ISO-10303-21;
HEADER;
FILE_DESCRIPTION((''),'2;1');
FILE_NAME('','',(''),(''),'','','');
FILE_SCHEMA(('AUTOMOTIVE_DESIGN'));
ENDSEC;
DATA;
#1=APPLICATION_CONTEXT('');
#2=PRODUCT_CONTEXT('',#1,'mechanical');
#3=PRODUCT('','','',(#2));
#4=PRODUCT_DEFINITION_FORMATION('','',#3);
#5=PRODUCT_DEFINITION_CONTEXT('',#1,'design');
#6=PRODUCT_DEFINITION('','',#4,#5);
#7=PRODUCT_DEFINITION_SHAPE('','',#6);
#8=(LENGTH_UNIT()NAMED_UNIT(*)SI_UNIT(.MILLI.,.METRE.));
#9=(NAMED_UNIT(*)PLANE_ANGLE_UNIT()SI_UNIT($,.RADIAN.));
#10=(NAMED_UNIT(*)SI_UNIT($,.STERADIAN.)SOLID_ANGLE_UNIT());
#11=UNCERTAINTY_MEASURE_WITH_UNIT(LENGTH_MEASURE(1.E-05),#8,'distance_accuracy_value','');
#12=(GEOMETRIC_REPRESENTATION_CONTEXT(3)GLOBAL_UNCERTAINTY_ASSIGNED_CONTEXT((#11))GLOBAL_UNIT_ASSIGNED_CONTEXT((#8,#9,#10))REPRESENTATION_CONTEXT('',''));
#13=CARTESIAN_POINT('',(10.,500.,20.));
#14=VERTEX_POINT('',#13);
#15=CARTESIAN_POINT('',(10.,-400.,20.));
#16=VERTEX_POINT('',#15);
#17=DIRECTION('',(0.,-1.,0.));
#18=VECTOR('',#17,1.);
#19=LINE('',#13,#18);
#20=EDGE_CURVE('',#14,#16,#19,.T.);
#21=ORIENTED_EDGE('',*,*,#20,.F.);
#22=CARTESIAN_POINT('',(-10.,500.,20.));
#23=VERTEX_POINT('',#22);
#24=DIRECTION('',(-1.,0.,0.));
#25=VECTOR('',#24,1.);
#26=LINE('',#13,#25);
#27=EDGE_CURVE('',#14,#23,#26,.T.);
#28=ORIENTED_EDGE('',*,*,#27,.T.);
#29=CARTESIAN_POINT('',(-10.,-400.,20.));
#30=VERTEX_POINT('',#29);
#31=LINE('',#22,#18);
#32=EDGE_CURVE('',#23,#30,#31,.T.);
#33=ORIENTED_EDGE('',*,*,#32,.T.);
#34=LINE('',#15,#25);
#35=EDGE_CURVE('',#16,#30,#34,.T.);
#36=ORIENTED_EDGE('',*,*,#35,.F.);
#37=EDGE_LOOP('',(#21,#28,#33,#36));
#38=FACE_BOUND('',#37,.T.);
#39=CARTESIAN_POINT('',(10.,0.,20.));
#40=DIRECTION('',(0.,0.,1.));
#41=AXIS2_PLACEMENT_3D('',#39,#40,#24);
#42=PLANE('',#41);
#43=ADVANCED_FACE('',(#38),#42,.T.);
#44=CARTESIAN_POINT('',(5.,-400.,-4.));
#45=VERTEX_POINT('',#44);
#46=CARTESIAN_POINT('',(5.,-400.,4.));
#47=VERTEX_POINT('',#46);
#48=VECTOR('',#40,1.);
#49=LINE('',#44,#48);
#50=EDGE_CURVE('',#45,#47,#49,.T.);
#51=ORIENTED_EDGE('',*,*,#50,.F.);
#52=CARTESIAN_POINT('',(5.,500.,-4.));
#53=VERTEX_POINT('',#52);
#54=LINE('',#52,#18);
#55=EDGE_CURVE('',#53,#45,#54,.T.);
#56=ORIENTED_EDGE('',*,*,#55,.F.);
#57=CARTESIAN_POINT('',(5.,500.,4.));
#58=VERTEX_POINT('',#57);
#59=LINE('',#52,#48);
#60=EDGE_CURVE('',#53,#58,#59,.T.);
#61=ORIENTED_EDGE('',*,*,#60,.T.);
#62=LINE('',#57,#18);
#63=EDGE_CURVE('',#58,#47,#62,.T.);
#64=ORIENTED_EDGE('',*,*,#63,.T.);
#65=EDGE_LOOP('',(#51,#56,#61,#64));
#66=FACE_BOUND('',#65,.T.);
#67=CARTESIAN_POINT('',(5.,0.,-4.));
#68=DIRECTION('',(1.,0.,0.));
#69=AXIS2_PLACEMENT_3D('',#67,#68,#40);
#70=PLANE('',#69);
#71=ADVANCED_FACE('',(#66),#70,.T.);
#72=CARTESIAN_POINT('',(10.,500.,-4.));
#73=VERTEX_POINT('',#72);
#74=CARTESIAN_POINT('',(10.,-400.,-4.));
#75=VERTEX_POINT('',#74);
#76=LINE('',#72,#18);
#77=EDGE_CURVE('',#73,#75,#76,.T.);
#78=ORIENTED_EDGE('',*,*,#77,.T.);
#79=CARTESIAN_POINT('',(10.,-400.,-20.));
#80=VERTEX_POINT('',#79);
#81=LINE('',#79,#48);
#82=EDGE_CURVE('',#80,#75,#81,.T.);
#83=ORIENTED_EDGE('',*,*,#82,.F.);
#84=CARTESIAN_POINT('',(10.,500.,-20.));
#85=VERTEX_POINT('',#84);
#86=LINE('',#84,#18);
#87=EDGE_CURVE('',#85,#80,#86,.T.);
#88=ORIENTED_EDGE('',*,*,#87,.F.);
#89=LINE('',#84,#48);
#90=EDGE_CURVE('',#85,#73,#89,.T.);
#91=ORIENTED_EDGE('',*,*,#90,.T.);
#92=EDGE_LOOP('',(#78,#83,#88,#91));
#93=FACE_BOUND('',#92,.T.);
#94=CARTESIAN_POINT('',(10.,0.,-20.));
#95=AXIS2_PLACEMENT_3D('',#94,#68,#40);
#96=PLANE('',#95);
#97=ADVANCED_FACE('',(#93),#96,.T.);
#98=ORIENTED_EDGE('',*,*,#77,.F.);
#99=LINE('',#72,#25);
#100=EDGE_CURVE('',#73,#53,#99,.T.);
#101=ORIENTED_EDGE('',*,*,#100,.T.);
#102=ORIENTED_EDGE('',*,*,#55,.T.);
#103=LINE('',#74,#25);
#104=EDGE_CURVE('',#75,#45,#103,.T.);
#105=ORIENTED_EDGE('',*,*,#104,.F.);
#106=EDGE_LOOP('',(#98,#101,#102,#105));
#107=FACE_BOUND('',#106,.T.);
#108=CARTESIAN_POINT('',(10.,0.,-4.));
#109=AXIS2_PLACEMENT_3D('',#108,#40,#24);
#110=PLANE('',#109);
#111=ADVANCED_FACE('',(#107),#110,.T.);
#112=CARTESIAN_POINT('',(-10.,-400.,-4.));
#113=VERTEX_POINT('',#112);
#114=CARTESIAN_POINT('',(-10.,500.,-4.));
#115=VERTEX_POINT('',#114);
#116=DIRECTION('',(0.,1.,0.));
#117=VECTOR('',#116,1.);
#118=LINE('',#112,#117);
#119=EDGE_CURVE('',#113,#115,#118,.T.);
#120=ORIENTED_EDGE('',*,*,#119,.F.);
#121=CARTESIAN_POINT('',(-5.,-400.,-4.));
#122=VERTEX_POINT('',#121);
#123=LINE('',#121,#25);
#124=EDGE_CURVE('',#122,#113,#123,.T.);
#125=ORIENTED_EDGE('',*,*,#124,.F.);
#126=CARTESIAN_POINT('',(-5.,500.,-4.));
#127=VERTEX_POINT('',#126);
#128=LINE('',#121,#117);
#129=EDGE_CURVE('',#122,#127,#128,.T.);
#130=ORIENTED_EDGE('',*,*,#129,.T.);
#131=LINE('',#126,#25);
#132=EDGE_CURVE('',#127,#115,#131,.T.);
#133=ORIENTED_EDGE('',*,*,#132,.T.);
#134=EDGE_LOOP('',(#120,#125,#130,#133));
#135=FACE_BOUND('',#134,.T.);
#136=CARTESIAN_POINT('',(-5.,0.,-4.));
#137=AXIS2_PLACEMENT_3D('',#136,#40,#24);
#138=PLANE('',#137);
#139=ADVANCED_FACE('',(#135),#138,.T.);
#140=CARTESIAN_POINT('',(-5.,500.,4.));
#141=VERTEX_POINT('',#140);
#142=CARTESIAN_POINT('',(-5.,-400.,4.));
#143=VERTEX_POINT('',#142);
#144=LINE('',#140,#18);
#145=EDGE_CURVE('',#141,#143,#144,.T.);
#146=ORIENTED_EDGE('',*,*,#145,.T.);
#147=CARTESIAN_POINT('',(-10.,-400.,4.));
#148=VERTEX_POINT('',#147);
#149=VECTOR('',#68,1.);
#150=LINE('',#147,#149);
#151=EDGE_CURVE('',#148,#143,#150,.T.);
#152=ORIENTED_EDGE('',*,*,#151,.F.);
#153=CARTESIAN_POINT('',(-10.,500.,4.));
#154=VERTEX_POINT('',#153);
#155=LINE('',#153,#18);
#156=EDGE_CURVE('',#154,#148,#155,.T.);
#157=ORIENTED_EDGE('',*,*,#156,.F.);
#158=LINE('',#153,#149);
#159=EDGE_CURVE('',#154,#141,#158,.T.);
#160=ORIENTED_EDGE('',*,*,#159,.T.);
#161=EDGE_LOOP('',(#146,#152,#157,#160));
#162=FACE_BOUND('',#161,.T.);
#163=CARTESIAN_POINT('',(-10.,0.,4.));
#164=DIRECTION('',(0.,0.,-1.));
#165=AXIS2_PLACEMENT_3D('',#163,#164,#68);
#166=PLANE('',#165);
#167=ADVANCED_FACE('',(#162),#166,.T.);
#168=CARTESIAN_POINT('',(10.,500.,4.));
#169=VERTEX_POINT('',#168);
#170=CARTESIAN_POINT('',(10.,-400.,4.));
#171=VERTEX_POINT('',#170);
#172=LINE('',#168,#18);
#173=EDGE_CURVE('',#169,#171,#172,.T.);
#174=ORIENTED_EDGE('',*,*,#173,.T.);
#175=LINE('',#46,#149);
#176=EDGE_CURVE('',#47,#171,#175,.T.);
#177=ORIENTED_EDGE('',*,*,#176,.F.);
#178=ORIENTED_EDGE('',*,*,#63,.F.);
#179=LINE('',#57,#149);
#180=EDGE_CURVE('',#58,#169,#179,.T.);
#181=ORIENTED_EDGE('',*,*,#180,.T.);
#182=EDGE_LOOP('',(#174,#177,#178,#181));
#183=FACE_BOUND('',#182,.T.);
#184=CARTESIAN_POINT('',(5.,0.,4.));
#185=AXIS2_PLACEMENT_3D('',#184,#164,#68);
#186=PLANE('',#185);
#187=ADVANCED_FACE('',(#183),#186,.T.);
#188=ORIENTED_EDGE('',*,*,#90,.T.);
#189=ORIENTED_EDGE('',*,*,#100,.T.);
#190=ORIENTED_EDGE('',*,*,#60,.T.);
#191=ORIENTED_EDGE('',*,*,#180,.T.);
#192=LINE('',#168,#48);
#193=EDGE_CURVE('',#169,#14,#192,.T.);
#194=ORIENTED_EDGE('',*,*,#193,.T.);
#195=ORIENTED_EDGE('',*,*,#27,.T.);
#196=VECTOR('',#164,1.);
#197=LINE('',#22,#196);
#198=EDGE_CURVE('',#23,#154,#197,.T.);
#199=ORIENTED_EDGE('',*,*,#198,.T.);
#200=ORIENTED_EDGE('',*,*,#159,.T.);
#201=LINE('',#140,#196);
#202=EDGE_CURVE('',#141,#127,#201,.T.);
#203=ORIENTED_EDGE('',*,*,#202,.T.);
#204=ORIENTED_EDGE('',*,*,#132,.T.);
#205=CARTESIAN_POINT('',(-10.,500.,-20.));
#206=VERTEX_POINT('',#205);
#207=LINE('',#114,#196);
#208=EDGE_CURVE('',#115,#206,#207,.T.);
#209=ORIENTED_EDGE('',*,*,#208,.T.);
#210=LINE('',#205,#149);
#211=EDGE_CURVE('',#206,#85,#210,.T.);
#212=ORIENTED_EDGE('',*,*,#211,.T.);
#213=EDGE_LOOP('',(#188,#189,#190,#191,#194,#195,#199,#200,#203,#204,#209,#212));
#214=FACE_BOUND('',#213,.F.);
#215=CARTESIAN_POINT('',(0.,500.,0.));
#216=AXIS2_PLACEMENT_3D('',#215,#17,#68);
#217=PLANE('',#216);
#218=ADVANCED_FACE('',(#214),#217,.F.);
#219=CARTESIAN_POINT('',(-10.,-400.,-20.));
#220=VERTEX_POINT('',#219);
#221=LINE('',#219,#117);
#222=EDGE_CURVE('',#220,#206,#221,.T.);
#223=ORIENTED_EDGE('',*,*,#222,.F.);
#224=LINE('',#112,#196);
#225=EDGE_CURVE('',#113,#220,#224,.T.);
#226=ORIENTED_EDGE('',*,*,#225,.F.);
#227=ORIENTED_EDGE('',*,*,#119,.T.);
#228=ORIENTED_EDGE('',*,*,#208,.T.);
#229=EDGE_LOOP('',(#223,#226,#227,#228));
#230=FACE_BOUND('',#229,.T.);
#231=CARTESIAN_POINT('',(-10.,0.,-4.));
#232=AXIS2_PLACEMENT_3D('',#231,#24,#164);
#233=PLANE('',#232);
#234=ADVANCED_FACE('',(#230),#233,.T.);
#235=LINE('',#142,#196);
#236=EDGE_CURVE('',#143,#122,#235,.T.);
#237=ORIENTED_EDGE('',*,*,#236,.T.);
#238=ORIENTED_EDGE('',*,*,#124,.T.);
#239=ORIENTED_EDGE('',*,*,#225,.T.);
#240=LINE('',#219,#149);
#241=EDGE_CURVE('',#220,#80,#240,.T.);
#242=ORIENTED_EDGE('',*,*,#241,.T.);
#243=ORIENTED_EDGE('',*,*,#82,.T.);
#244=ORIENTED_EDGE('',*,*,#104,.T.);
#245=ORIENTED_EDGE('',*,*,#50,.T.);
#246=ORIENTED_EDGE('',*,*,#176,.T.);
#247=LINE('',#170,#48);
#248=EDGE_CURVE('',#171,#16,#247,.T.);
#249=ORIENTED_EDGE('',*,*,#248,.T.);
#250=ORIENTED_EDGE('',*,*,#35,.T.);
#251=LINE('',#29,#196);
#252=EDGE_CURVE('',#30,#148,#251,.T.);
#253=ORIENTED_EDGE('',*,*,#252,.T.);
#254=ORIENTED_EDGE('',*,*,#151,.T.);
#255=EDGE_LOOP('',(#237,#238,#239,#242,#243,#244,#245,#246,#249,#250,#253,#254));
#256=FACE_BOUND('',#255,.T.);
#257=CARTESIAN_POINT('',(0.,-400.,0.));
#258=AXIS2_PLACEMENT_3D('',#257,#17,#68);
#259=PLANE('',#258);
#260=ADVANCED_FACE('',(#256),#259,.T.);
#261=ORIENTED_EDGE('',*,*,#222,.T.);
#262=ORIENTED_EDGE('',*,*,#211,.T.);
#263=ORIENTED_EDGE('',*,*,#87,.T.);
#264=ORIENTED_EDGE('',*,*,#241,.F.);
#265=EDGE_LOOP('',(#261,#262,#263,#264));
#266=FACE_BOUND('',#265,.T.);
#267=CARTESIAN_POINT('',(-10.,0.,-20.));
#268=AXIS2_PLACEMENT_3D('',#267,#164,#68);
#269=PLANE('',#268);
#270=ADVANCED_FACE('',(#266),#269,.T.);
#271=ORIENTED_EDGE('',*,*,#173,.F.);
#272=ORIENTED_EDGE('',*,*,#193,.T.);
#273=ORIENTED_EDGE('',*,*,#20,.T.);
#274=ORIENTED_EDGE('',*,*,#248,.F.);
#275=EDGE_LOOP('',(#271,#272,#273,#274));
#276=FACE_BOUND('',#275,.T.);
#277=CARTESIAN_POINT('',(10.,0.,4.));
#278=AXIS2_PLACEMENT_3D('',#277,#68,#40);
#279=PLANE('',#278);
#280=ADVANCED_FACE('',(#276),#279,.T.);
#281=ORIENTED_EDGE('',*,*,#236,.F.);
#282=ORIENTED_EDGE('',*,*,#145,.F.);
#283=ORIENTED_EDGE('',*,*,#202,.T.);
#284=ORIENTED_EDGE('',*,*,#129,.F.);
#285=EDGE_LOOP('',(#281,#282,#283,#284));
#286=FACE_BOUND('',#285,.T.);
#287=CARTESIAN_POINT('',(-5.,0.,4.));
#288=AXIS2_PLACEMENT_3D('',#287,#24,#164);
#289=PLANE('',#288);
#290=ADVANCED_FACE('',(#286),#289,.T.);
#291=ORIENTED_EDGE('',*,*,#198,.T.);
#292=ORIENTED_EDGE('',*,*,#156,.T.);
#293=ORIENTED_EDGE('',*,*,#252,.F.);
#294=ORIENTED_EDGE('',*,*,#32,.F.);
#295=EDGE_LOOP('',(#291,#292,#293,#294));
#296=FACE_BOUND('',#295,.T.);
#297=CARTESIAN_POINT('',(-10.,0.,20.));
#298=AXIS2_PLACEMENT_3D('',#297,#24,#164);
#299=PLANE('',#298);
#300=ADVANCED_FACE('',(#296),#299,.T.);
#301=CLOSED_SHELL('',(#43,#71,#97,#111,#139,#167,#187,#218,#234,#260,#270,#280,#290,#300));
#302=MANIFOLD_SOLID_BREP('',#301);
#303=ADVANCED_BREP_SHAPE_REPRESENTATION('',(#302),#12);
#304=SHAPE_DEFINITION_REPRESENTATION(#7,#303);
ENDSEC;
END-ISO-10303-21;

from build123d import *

# Parameters (mm, degrees)
F1_DEPTH      = 400
F1_DEPTH_BACK = 500


with BuildPart() as f1:
    # F0 (on Front) → F1 (new body, two sides)
    with BuildSketch(Plane.XZ) as f1_sk:
        Polygon((-10, -20), (10, -20), (10, -4), (5, -4), (5, 4), (10, 4), (10, 20), (-10, 20), (-10, 4), (-5, 4), (-5, -4), (-10, -4), align=None)
    extrude(amount=F1_DEPTH)
    extrude(f1_sk.sketch, amount=-F1_DEPTH_BACK)


solid = f1.part
